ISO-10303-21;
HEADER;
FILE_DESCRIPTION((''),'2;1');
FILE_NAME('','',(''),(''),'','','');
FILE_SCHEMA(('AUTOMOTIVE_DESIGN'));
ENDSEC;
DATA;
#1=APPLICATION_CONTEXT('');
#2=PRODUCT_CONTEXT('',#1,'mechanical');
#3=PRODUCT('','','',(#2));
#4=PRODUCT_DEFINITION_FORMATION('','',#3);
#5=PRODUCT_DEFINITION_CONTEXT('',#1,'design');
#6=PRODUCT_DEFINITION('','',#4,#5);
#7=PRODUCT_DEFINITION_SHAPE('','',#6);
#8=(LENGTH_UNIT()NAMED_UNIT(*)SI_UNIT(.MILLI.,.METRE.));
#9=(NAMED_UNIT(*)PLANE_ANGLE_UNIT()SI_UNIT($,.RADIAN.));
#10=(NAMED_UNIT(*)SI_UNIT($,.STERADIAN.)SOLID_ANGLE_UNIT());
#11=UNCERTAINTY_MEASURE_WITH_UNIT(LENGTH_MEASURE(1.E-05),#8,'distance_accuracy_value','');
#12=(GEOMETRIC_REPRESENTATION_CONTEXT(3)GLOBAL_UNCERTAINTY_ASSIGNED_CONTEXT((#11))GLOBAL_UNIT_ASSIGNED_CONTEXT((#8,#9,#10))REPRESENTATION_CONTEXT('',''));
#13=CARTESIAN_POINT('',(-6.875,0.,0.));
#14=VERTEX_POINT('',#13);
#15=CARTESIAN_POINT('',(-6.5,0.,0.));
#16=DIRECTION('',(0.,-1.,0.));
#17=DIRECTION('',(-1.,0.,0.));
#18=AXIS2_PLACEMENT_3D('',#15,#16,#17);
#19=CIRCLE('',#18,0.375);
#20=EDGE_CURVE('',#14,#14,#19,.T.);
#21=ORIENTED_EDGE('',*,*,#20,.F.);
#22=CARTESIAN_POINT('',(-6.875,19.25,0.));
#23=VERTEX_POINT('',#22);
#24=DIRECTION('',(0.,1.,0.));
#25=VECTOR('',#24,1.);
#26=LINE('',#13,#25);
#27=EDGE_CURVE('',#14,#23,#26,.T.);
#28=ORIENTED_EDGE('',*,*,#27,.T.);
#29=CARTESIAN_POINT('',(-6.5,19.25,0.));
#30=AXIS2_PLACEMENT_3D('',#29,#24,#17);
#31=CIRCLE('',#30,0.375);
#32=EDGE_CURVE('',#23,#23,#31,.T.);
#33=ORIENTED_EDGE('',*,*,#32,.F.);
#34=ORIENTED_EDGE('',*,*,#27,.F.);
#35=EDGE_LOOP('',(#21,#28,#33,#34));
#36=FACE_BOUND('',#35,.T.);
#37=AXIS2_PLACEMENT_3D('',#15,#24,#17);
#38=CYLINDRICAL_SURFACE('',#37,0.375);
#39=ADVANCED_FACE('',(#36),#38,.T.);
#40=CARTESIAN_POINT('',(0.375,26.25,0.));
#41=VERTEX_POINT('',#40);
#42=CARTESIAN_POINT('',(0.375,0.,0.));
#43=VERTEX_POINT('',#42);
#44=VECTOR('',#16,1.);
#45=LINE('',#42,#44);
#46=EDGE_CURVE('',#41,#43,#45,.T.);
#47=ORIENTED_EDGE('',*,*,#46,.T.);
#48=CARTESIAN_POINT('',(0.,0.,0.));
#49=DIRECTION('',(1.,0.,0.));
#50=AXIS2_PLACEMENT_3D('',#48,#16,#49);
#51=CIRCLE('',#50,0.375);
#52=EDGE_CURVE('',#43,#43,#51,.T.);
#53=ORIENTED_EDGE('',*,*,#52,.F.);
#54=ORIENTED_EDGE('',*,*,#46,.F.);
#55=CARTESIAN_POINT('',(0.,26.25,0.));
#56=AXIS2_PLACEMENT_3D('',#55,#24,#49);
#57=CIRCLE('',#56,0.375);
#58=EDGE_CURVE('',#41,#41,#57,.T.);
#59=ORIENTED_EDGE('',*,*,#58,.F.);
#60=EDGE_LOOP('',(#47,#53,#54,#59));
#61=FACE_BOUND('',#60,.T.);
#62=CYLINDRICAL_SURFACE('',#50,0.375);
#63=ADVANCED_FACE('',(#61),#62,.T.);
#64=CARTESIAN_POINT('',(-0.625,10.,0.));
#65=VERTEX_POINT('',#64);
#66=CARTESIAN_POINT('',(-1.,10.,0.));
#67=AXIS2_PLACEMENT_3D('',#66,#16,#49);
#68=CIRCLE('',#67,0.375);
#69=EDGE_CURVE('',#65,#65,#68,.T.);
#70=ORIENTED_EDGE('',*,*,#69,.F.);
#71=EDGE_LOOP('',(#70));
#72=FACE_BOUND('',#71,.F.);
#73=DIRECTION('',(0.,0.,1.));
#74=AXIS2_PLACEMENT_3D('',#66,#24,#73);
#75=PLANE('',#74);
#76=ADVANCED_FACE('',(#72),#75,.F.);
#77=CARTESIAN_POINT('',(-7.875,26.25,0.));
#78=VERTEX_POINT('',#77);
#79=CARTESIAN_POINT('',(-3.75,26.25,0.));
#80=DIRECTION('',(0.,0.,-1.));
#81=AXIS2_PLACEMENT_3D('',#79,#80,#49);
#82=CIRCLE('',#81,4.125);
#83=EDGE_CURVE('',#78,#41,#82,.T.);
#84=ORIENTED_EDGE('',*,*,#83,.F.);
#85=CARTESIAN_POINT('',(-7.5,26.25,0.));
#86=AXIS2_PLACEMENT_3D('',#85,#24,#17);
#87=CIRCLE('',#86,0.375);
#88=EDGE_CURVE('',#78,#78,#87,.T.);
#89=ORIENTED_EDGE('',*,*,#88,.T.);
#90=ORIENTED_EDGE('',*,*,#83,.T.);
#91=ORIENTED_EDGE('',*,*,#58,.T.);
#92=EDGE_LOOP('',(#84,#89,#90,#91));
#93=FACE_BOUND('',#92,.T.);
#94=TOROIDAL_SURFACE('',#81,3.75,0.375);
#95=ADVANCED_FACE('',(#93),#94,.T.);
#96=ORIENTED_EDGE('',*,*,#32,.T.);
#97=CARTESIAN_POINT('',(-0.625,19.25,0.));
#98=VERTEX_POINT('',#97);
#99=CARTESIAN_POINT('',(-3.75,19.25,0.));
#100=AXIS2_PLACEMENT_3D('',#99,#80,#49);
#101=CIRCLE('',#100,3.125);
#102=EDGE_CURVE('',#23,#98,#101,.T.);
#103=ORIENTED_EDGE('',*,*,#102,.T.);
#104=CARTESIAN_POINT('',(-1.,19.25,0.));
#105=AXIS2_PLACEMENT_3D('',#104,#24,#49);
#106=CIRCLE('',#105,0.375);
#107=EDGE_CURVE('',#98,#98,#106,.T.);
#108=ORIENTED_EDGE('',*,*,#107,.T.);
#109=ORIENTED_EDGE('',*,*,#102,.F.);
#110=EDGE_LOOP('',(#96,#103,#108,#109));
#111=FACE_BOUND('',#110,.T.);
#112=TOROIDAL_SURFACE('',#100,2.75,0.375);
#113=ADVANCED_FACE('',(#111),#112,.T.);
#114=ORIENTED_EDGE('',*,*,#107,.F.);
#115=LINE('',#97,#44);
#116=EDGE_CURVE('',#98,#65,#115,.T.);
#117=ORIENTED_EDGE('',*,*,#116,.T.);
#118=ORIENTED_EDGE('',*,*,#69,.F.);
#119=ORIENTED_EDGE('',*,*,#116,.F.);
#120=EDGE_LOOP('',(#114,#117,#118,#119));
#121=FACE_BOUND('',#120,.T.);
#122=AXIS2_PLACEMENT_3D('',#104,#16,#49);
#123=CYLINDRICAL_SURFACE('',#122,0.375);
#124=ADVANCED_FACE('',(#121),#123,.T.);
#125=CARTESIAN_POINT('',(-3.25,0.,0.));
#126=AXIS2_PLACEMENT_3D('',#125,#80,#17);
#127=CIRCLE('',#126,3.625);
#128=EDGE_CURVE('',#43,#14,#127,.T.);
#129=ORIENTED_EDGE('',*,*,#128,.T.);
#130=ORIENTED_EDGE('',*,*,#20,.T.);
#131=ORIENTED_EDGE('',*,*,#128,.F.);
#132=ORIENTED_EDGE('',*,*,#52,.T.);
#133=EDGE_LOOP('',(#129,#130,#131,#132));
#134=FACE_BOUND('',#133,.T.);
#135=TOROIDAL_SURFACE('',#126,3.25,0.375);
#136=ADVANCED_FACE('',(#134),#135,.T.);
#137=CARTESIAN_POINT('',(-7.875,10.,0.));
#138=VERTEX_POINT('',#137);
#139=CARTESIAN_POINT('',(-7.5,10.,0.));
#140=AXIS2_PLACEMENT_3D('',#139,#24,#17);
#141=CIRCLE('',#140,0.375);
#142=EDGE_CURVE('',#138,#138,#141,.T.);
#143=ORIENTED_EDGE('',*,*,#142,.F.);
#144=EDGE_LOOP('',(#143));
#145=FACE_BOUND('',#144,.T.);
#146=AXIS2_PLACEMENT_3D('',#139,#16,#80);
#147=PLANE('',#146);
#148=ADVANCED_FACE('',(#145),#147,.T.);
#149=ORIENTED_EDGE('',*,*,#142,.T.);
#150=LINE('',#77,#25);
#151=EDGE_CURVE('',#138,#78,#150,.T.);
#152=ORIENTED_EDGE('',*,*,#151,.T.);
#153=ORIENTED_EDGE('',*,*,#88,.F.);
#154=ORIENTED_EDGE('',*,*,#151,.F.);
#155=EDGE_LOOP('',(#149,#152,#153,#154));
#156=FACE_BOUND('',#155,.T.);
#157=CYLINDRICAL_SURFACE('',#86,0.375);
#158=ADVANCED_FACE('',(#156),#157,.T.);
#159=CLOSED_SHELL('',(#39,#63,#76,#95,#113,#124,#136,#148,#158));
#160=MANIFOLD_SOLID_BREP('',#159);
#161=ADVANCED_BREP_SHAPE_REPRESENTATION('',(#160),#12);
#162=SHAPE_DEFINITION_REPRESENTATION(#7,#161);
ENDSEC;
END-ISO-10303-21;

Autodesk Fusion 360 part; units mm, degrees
sketch "Sketch1" plane through (0, 0, 0) normal (0, 0, 1) x (1, 0, 0)
  line L0 (0, 0) -> (0, 26.25)
  line L1 (0, 26.25) -> (-7.5, 26.25) construction
  line L2 (-7.5, 26.25) -> (-7.5, 10)
  line L3 (0, 0) -> (-6.5, 0) construction
  line L4 (-6.5, 0) -> (-6.5, 19.25)
  line L5 (-6.5, 19.25) -> (-1, 19.25) construction
  line L6 (-1, 19.25) -> (-1, 10)
  arc A0 (0, 26.25) -> (-7.5, 26.25) centre (-3.75, 26.25) ccw
  arc A1 (-1, 19.25) -> (-6.5, 19.25) centre (-3.75, 19.25) ccw
  arc A2 (-6.5, 0) -> (0, 0) centre (-3.25, 0) ccw
  dimension "d9" = 26.25
  dimension "d10" = 7.5
  dimension "d11" = 16.25
  dimension "d12" = 6.5
  dimension "d13" = 19.25
  dimension "d14" = 5.5
  dimension "d15" = 9.25
sketch "Sketch2" plane through (0, 0, 0) normal (0, 1, 0) x (1, 0, 0)
  circle A0 centre (0, 0) radius 0.375
  dimension "d16" = 0.75
sweep "Sweep1" add profiles "Sketch2" path "Sketch1" along L6 A1 L4 A2 L0 A0 L2 section 1
